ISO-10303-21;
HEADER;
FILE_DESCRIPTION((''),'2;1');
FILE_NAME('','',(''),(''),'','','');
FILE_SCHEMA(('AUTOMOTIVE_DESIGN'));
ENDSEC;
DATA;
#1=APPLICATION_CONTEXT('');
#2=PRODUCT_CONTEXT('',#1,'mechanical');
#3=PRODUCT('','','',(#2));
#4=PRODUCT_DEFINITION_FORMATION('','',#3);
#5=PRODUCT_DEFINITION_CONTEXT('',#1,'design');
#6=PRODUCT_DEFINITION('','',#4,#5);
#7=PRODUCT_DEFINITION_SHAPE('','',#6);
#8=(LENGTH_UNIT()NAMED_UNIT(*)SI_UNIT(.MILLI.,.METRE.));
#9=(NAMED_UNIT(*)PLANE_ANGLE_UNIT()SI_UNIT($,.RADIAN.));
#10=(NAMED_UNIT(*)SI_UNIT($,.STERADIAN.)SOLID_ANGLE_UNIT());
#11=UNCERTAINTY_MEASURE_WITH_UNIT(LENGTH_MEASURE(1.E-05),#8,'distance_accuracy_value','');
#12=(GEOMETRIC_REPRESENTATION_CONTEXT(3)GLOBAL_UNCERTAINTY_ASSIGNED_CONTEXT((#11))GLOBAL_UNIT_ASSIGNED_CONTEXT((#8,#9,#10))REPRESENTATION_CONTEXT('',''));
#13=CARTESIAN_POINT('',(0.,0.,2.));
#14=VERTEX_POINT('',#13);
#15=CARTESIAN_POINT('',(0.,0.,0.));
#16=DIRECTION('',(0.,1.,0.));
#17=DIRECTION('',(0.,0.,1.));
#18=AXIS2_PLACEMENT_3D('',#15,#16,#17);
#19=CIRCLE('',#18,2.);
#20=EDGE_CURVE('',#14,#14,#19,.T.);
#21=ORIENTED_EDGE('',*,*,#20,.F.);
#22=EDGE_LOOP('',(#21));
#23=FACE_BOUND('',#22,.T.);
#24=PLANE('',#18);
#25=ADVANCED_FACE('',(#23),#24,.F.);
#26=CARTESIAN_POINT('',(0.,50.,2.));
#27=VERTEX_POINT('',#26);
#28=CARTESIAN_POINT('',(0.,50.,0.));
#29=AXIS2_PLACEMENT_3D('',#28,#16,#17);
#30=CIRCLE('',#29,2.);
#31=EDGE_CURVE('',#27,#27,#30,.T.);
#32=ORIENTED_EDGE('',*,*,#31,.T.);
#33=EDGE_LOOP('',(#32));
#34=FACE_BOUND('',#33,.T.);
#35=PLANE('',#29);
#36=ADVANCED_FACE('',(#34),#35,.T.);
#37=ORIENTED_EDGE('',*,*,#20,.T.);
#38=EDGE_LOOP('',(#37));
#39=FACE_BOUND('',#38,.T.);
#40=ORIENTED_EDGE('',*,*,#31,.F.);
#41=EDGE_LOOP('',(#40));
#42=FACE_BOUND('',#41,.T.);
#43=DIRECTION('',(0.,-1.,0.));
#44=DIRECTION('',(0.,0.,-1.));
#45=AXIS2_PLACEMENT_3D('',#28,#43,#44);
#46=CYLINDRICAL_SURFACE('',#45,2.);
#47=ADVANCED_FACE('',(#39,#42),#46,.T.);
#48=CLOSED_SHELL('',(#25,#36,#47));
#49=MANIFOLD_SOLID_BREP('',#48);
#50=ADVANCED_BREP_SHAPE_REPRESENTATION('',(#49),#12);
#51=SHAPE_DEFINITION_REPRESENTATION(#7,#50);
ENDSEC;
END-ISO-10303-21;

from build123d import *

# Parameters (mm, degrees)
SKETCH1_R           = 2
BOSS_EXTRUDE1_DEPTH = 50


with BuildPart() as part:
    # Sketch1 → Boss-Extrude1 (new body)
    with BuildSketch(Plane(origin=(0, 0, 0), x_dir=(1, 0, 0), z_dir=(0, 1, 0))):
        Circle(SKETCH1_R)
    extrude(amount=BOSS_EXTRUDE1_DEPTH)


solid = part.part
